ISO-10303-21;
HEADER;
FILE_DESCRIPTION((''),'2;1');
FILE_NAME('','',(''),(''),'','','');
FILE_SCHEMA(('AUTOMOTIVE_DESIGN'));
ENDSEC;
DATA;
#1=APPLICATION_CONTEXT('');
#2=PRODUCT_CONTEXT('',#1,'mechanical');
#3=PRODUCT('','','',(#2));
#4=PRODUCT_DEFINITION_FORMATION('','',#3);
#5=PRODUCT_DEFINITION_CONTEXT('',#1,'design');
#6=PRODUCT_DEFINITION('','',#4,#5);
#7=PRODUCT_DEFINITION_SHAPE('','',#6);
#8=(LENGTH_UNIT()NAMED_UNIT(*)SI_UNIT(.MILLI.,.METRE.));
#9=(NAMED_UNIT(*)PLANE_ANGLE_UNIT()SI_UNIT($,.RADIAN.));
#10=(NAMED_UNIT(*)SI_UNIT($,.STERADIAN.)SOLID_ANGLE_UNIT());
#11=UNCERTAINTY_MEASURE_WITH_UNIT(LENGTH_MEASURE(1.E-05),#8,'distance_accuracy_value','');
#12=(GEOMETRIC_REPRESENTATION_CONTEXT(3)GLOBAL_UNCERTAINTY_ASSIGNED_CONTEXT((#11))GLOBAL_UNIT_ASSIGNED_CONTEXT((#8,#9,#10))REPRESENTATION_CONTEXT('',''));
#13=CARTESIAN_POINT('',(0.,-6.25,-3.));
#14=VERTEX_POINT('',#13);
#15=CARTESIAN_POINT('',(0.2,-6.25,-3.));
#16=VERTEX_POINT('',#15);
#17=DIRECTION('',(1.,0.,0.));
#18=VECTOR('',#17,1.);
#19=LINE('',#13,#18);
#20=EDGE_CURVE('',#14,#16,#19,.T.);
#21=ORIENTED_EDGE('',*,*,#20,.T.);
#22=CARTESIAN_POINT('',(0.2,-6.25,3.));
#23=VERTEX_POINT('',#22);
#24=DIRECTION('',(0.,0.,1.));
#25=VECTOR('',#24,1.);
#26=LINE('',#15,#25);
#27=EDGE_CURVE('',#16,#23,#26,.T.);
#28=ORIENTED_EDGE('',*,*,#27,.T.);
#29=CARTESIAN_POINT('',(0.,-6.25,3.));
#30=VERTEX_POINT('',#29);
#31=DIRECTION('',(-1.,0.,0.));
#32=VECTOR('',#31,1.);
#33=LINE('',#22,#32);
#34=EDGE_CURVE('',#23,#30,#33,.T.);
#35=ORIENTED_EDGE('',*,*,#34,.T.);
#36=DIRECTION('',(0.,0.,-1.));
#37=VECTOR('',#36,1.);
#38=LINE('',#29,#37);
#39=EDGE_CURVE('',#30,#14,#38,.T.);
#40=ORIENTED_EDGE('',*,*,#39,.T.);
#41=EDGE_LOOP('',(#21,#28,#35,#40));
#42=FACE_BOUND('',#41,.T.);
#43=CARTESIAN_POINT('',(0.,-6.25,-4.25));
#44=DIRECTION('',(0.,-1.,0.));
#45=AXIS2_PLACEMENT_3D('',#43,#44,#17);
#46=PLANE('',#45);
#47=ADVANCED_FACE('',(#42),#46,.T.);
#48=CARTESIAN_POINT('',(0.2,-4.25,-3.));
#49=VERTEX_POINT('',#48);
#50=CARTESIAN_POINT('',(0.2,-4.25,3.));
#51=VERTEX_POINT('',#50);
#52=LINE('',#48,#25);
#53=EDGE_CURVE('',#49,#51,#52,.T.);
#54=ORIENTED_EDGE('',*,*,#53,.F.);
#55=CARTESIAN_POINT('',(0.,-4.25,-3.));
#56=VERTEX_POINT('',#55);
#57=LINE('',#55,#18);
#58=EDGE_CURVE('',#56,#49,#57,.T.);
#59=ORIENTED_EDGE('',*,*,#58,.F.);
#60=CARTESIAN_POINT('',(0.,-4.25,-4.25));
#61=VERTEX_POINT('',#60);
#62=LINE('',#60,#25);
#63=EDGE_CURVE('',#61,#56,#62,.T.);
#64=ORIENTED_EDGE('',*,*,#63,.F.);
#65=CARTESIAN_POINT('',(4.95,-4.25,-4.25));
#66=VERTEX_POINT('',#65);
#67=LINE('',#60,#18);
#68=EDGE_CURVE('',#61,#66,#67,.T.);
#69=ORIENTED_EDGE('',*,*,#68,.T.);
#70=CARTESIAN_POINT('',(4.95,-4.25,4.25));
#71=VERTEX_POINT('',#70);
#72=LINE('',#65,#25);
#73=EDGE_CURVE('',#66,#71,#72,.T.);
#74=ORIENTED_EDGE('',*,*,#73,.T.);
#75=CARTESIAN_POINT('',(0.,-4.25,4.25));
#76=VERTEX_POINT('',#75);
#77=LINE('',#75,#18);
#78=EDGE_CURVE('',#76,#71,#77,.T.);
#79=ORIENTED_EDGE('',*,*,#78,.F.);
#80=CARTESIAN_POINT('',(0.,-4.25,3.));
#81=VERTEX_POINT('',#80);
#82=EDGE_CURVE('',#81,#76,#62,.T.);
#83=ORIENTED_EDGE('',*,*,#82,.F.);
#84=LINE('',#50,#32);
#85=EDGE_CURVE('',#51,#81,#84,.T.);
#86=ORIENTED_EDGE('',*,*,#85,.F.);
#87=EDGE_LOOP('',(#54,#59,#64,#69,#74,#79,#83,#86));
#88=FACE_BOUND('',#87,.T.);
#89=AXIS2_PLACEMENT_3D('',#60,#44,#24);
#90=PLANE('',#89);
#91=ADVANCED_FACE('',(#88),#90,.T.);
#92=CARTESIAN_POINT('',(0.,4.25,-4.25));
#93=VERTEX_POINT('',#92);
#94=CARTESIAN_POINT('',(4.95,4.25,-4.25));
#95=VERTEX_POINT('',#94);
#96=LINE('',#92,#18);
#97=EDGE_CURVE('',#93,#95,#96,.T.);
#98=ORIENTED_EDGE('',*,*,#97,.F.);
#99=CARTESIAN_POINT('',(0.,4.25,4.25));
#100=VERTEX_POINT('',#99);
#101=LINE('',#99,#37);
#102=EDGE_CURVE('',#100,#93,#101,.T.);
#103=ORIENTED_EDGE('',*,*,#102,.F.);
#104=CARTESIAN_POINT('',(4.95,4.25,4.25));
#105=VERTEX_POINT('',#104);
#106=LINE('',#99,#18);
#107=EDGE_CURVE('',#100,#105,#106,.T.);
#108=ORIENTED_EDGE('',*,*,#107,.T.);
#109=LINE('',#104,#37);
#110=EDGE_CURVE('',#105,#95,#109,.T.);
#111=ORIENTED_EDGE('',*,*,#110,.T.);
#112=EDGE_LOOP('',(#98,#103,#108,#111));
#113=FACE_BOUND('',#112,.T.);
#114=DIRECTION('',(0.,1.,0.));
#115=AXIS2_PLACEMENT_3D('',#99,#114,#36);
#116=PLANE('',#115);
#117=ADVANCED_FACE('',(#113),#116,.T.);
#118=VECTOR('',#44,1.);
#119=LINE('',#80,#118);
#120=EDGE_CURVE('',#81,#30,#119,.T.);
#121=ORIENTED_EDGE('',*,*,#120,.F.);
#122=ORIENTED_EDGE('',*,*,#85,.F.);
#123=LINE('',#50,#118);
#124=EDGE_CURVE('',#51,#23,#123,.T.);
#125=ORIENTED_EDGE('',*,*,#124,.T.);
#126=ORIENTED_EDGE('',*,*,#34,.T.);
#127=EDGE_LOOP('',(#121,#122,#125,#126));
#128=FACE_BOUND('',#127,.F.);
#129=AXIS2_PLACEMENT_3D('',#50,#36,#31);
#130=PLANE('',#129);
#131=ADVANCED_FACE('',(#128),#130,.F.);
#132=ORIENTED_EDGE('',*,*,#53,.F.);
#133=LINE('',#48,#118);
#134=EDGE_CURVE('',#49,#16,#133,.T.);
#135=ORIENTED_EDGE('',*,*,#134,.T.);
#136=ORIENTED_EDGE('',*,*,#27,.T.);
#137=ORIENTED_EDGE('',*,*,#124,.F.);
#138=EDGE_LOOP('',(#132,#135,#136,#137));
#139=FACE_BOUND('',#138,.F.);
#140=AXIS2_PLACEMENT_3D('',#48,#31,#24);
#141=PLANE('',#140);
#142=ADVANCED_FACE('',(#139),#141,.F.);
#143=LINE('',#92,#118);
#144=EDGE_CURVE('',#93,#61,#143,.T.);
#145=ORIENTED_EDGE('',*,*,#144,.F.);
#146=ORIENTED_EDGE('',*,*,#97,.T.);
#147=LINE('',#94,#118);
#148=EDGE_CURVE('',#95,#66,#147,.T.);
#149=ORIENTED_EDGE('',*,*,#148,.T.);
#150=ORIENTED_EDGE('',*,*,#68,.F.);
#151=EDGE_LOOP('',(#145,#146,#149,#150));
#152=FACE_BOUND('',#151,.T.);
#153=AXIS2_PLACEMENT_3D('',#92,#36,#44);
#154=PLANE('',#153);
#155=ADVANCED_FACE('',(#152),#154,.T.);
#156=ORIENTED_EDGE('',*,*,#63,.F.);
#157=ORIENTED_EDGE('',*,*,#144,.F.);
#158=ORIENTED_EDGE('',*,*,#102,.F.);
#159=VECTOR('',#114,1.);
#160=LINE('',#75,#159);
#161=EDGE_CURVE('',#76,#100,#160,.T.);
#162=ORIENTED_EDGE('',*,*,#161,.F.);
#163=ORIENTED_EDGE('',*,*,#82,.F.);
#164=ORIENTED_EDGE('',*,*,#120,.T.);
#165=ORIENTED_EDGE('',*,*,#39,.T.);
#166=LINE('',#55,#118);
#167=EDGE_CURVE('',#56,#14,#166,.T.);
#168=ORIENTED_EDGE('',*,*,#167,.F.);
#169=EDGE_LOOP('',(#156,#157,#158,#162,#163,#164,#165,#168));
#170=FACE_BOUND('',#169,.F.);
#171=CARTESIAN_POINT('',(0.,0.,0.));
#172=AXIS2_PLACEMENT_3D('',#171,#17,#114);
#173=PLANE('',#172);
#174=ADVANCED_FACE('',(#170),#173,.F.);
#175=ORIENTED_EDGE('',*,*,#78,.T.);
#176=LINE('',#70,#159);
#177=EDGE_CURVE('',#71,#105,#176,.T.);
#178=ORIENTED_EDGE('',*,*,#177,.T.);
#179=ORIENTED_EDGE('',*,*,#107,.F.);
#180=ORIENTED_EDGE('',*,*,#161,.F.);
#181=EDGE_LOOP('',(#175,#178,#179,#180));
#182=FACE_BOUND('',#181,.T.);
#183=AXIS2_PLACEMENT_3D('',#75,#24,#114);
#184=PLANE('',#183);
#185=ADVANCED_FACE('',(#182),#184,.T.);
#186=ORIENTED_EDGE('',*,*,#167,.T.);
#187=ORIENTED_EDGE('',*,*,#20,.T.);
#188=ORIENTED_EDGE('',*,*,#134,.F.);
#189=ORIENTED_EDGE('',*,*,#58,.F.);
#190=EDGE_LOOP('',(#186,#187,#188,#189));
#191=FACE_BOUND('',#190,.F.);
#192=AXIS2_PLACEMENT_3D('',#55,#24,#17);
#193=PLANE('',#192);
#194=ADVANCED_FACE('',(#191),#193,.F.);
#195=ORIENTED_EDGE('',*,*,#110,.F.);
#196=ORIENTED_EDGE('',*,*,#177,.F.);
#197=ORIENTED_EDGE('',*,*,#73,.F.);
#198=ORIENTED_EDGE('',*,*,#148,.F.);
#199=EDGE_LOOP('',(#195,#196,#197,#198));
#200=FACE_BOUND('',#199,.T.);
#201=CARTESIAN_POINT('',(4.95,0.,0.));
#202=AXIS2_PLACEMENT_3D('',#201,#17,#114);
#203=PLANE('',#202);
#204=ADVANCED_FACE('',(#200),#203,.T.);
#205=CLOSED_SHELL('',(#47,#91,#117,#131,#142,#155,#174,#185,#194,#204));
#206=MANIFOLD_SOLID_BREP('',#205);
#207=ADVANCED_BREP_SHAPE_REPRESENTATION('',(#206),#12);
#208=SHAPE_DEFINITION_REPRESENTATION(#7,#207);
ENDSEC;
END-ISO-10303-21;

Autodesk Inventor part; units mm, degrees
ref_plane "YZ Plane" through (0, 0, 0) normal (1, 0, 0) x (0, 1, 0)
ref_plane "XZ Plane" through (0, 0, 0) normal (0, 1, 0) x (-1, 0, 0)
ref_plane "XY Plane" through (0, 0, 0) normal (0, 0, 1) x (1, 0, 0)
sketch "Эскиз1" plane through (0, 0, 0) normal (1, 0, 0) x (0, 1, 0)
  line L0 (-4.25, 4.25) -> (4.25, 4.25)
  line L1 (4.25, 4.25) -> (4.25, -4.25)
  line L2 (4.25, -4.25) -> (-4.25, -4.25)
  line L3 (-4.25, -4.25) -> (-4.25, 4.25)
  line L4 (-4.25, 4.25) -> (4.25, -4.25) construction
  line L5 (4.25, 4.25) -> (-4.25, -4.25) construction
  point P0 (0, 0)
  dimension "d0" = 8.5
  dimension "d1" = 8.5
extrude "Выдавливание1" add sketch "Эскиз1" along normal blind 4.95
sketch "Эскиз2" plane through (0, -4.25, -4.25) normal (0, -1, 0) x (1, 0, 0)
  line L0 (0.2, 7.25) -> (0, 7.25)
  line L1 (0, 7.25) -> (0, 1.25)
  line L2 (0, 1.25) -> (0.2, 1.25)
  line L3 (0.2, 1.25) -> (0.2, 7.25)
  line L4 (0.2, 7.25) -> (0, 1.25) construction
  line L5 (0, 7.25) -> (0.2, 1.25) construction
  line L6 (0, 8.5) -> (0, 0) projected
  point P0 (0, 4.25)
  point P1 (0.1, 4.25)
  point P2 (0, 4.25)
  dimension "d4" = 0.2
  dimension "d5" = 6
extrude "Выдавливание2" add sketch "Эскиз2" along normal blind 2
properties part number "camera"
